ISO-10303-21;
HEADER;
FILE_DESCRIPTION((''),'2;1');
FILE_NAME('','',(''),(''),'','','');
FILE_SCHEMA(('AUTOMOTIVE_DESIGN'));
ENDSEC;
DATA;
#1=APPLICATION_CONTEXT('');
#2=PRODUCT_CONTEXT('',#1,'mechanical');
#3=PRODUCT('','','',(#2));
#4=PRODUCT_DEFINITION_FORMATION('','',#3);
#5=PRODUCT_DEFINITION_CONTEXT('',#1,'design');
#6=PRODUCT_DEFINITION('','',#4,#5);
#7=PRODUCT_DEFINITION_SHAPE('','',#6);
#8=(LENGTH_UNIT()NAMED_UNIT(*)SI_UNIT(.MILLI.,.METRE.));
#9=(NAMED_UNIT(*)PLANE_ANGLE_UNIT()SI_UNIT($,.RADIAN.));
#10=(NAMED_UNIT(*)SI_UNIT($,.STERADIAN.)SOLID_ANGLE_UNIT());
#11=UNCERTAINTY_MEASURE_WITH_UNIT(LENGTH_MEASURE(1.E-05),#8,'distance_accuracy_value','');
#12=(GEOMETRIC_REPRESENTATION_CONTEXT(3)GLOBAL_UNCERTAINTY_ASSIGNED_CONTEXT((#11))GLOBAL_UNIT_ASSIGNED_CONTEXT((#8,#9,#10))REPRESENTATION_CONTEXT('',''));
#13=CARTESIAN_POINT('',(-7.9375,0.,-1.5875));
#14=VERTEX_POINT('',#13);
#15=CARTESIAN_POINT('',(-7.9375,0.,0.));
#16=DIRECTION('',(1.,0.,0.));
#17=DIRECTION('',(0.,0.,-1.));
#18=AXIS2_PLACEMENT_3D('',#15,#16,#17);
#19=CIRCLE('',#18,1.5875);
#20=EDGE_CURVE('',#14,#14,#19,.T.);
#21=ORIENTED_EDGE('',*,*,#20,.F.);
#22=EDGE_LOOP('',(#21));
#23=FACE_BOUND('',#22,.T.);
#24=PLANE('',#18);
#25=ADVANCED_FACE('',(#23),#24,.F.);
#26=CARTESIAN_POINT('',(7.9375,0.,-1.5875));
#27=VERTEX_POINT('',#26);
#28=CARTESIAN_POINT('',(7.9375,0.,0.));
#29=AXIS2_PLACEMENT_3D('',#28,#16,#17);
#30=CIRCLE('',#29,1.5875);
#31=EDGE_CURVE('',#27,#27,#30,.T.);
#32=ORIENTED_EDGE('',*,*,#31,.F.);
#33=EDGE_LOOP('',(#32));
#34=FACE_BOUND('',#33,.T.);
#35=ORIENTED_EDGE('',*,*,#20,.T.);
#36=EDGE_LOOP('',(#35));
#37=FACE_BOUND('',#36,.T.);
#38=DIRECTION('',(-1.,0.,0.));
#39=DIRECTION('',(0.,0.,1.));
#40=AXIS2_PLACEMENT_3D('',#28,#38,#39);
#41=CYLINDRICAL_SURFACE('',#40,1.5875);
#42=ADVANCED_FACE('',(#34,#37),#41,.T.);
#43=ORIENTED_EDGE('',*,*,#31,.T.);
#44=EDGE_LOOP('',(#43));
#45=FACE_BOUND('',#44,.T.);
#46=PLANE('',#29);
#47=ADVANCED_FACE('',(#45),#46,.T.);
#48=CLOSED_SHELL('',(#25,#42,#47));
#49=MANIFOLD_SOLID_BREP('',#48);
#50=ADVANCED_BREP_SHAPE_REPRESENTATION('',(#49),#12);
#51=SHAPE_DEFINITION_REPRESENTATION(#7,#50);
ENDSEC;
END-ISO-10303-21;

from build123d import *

# Parameters (mm, degrees)
SKETCH1_R           = 1.5875
BOSS_EXTRUDE1_DEPTH = 7.9375


with BuildPart() as part:
    # Sketch1 → Boss-Extrude1 (new body, symmetric)
    with BuildSketch(Plane(origin=(0, 0, 0), x_dir=(0, 0, -1), z_dir=(1, 0, 0))):
        Circle(SKETCH1_R)
    extrude(amount=BOSS_EXTRUDE1_DEPTH, both=True)


solid = part.part
